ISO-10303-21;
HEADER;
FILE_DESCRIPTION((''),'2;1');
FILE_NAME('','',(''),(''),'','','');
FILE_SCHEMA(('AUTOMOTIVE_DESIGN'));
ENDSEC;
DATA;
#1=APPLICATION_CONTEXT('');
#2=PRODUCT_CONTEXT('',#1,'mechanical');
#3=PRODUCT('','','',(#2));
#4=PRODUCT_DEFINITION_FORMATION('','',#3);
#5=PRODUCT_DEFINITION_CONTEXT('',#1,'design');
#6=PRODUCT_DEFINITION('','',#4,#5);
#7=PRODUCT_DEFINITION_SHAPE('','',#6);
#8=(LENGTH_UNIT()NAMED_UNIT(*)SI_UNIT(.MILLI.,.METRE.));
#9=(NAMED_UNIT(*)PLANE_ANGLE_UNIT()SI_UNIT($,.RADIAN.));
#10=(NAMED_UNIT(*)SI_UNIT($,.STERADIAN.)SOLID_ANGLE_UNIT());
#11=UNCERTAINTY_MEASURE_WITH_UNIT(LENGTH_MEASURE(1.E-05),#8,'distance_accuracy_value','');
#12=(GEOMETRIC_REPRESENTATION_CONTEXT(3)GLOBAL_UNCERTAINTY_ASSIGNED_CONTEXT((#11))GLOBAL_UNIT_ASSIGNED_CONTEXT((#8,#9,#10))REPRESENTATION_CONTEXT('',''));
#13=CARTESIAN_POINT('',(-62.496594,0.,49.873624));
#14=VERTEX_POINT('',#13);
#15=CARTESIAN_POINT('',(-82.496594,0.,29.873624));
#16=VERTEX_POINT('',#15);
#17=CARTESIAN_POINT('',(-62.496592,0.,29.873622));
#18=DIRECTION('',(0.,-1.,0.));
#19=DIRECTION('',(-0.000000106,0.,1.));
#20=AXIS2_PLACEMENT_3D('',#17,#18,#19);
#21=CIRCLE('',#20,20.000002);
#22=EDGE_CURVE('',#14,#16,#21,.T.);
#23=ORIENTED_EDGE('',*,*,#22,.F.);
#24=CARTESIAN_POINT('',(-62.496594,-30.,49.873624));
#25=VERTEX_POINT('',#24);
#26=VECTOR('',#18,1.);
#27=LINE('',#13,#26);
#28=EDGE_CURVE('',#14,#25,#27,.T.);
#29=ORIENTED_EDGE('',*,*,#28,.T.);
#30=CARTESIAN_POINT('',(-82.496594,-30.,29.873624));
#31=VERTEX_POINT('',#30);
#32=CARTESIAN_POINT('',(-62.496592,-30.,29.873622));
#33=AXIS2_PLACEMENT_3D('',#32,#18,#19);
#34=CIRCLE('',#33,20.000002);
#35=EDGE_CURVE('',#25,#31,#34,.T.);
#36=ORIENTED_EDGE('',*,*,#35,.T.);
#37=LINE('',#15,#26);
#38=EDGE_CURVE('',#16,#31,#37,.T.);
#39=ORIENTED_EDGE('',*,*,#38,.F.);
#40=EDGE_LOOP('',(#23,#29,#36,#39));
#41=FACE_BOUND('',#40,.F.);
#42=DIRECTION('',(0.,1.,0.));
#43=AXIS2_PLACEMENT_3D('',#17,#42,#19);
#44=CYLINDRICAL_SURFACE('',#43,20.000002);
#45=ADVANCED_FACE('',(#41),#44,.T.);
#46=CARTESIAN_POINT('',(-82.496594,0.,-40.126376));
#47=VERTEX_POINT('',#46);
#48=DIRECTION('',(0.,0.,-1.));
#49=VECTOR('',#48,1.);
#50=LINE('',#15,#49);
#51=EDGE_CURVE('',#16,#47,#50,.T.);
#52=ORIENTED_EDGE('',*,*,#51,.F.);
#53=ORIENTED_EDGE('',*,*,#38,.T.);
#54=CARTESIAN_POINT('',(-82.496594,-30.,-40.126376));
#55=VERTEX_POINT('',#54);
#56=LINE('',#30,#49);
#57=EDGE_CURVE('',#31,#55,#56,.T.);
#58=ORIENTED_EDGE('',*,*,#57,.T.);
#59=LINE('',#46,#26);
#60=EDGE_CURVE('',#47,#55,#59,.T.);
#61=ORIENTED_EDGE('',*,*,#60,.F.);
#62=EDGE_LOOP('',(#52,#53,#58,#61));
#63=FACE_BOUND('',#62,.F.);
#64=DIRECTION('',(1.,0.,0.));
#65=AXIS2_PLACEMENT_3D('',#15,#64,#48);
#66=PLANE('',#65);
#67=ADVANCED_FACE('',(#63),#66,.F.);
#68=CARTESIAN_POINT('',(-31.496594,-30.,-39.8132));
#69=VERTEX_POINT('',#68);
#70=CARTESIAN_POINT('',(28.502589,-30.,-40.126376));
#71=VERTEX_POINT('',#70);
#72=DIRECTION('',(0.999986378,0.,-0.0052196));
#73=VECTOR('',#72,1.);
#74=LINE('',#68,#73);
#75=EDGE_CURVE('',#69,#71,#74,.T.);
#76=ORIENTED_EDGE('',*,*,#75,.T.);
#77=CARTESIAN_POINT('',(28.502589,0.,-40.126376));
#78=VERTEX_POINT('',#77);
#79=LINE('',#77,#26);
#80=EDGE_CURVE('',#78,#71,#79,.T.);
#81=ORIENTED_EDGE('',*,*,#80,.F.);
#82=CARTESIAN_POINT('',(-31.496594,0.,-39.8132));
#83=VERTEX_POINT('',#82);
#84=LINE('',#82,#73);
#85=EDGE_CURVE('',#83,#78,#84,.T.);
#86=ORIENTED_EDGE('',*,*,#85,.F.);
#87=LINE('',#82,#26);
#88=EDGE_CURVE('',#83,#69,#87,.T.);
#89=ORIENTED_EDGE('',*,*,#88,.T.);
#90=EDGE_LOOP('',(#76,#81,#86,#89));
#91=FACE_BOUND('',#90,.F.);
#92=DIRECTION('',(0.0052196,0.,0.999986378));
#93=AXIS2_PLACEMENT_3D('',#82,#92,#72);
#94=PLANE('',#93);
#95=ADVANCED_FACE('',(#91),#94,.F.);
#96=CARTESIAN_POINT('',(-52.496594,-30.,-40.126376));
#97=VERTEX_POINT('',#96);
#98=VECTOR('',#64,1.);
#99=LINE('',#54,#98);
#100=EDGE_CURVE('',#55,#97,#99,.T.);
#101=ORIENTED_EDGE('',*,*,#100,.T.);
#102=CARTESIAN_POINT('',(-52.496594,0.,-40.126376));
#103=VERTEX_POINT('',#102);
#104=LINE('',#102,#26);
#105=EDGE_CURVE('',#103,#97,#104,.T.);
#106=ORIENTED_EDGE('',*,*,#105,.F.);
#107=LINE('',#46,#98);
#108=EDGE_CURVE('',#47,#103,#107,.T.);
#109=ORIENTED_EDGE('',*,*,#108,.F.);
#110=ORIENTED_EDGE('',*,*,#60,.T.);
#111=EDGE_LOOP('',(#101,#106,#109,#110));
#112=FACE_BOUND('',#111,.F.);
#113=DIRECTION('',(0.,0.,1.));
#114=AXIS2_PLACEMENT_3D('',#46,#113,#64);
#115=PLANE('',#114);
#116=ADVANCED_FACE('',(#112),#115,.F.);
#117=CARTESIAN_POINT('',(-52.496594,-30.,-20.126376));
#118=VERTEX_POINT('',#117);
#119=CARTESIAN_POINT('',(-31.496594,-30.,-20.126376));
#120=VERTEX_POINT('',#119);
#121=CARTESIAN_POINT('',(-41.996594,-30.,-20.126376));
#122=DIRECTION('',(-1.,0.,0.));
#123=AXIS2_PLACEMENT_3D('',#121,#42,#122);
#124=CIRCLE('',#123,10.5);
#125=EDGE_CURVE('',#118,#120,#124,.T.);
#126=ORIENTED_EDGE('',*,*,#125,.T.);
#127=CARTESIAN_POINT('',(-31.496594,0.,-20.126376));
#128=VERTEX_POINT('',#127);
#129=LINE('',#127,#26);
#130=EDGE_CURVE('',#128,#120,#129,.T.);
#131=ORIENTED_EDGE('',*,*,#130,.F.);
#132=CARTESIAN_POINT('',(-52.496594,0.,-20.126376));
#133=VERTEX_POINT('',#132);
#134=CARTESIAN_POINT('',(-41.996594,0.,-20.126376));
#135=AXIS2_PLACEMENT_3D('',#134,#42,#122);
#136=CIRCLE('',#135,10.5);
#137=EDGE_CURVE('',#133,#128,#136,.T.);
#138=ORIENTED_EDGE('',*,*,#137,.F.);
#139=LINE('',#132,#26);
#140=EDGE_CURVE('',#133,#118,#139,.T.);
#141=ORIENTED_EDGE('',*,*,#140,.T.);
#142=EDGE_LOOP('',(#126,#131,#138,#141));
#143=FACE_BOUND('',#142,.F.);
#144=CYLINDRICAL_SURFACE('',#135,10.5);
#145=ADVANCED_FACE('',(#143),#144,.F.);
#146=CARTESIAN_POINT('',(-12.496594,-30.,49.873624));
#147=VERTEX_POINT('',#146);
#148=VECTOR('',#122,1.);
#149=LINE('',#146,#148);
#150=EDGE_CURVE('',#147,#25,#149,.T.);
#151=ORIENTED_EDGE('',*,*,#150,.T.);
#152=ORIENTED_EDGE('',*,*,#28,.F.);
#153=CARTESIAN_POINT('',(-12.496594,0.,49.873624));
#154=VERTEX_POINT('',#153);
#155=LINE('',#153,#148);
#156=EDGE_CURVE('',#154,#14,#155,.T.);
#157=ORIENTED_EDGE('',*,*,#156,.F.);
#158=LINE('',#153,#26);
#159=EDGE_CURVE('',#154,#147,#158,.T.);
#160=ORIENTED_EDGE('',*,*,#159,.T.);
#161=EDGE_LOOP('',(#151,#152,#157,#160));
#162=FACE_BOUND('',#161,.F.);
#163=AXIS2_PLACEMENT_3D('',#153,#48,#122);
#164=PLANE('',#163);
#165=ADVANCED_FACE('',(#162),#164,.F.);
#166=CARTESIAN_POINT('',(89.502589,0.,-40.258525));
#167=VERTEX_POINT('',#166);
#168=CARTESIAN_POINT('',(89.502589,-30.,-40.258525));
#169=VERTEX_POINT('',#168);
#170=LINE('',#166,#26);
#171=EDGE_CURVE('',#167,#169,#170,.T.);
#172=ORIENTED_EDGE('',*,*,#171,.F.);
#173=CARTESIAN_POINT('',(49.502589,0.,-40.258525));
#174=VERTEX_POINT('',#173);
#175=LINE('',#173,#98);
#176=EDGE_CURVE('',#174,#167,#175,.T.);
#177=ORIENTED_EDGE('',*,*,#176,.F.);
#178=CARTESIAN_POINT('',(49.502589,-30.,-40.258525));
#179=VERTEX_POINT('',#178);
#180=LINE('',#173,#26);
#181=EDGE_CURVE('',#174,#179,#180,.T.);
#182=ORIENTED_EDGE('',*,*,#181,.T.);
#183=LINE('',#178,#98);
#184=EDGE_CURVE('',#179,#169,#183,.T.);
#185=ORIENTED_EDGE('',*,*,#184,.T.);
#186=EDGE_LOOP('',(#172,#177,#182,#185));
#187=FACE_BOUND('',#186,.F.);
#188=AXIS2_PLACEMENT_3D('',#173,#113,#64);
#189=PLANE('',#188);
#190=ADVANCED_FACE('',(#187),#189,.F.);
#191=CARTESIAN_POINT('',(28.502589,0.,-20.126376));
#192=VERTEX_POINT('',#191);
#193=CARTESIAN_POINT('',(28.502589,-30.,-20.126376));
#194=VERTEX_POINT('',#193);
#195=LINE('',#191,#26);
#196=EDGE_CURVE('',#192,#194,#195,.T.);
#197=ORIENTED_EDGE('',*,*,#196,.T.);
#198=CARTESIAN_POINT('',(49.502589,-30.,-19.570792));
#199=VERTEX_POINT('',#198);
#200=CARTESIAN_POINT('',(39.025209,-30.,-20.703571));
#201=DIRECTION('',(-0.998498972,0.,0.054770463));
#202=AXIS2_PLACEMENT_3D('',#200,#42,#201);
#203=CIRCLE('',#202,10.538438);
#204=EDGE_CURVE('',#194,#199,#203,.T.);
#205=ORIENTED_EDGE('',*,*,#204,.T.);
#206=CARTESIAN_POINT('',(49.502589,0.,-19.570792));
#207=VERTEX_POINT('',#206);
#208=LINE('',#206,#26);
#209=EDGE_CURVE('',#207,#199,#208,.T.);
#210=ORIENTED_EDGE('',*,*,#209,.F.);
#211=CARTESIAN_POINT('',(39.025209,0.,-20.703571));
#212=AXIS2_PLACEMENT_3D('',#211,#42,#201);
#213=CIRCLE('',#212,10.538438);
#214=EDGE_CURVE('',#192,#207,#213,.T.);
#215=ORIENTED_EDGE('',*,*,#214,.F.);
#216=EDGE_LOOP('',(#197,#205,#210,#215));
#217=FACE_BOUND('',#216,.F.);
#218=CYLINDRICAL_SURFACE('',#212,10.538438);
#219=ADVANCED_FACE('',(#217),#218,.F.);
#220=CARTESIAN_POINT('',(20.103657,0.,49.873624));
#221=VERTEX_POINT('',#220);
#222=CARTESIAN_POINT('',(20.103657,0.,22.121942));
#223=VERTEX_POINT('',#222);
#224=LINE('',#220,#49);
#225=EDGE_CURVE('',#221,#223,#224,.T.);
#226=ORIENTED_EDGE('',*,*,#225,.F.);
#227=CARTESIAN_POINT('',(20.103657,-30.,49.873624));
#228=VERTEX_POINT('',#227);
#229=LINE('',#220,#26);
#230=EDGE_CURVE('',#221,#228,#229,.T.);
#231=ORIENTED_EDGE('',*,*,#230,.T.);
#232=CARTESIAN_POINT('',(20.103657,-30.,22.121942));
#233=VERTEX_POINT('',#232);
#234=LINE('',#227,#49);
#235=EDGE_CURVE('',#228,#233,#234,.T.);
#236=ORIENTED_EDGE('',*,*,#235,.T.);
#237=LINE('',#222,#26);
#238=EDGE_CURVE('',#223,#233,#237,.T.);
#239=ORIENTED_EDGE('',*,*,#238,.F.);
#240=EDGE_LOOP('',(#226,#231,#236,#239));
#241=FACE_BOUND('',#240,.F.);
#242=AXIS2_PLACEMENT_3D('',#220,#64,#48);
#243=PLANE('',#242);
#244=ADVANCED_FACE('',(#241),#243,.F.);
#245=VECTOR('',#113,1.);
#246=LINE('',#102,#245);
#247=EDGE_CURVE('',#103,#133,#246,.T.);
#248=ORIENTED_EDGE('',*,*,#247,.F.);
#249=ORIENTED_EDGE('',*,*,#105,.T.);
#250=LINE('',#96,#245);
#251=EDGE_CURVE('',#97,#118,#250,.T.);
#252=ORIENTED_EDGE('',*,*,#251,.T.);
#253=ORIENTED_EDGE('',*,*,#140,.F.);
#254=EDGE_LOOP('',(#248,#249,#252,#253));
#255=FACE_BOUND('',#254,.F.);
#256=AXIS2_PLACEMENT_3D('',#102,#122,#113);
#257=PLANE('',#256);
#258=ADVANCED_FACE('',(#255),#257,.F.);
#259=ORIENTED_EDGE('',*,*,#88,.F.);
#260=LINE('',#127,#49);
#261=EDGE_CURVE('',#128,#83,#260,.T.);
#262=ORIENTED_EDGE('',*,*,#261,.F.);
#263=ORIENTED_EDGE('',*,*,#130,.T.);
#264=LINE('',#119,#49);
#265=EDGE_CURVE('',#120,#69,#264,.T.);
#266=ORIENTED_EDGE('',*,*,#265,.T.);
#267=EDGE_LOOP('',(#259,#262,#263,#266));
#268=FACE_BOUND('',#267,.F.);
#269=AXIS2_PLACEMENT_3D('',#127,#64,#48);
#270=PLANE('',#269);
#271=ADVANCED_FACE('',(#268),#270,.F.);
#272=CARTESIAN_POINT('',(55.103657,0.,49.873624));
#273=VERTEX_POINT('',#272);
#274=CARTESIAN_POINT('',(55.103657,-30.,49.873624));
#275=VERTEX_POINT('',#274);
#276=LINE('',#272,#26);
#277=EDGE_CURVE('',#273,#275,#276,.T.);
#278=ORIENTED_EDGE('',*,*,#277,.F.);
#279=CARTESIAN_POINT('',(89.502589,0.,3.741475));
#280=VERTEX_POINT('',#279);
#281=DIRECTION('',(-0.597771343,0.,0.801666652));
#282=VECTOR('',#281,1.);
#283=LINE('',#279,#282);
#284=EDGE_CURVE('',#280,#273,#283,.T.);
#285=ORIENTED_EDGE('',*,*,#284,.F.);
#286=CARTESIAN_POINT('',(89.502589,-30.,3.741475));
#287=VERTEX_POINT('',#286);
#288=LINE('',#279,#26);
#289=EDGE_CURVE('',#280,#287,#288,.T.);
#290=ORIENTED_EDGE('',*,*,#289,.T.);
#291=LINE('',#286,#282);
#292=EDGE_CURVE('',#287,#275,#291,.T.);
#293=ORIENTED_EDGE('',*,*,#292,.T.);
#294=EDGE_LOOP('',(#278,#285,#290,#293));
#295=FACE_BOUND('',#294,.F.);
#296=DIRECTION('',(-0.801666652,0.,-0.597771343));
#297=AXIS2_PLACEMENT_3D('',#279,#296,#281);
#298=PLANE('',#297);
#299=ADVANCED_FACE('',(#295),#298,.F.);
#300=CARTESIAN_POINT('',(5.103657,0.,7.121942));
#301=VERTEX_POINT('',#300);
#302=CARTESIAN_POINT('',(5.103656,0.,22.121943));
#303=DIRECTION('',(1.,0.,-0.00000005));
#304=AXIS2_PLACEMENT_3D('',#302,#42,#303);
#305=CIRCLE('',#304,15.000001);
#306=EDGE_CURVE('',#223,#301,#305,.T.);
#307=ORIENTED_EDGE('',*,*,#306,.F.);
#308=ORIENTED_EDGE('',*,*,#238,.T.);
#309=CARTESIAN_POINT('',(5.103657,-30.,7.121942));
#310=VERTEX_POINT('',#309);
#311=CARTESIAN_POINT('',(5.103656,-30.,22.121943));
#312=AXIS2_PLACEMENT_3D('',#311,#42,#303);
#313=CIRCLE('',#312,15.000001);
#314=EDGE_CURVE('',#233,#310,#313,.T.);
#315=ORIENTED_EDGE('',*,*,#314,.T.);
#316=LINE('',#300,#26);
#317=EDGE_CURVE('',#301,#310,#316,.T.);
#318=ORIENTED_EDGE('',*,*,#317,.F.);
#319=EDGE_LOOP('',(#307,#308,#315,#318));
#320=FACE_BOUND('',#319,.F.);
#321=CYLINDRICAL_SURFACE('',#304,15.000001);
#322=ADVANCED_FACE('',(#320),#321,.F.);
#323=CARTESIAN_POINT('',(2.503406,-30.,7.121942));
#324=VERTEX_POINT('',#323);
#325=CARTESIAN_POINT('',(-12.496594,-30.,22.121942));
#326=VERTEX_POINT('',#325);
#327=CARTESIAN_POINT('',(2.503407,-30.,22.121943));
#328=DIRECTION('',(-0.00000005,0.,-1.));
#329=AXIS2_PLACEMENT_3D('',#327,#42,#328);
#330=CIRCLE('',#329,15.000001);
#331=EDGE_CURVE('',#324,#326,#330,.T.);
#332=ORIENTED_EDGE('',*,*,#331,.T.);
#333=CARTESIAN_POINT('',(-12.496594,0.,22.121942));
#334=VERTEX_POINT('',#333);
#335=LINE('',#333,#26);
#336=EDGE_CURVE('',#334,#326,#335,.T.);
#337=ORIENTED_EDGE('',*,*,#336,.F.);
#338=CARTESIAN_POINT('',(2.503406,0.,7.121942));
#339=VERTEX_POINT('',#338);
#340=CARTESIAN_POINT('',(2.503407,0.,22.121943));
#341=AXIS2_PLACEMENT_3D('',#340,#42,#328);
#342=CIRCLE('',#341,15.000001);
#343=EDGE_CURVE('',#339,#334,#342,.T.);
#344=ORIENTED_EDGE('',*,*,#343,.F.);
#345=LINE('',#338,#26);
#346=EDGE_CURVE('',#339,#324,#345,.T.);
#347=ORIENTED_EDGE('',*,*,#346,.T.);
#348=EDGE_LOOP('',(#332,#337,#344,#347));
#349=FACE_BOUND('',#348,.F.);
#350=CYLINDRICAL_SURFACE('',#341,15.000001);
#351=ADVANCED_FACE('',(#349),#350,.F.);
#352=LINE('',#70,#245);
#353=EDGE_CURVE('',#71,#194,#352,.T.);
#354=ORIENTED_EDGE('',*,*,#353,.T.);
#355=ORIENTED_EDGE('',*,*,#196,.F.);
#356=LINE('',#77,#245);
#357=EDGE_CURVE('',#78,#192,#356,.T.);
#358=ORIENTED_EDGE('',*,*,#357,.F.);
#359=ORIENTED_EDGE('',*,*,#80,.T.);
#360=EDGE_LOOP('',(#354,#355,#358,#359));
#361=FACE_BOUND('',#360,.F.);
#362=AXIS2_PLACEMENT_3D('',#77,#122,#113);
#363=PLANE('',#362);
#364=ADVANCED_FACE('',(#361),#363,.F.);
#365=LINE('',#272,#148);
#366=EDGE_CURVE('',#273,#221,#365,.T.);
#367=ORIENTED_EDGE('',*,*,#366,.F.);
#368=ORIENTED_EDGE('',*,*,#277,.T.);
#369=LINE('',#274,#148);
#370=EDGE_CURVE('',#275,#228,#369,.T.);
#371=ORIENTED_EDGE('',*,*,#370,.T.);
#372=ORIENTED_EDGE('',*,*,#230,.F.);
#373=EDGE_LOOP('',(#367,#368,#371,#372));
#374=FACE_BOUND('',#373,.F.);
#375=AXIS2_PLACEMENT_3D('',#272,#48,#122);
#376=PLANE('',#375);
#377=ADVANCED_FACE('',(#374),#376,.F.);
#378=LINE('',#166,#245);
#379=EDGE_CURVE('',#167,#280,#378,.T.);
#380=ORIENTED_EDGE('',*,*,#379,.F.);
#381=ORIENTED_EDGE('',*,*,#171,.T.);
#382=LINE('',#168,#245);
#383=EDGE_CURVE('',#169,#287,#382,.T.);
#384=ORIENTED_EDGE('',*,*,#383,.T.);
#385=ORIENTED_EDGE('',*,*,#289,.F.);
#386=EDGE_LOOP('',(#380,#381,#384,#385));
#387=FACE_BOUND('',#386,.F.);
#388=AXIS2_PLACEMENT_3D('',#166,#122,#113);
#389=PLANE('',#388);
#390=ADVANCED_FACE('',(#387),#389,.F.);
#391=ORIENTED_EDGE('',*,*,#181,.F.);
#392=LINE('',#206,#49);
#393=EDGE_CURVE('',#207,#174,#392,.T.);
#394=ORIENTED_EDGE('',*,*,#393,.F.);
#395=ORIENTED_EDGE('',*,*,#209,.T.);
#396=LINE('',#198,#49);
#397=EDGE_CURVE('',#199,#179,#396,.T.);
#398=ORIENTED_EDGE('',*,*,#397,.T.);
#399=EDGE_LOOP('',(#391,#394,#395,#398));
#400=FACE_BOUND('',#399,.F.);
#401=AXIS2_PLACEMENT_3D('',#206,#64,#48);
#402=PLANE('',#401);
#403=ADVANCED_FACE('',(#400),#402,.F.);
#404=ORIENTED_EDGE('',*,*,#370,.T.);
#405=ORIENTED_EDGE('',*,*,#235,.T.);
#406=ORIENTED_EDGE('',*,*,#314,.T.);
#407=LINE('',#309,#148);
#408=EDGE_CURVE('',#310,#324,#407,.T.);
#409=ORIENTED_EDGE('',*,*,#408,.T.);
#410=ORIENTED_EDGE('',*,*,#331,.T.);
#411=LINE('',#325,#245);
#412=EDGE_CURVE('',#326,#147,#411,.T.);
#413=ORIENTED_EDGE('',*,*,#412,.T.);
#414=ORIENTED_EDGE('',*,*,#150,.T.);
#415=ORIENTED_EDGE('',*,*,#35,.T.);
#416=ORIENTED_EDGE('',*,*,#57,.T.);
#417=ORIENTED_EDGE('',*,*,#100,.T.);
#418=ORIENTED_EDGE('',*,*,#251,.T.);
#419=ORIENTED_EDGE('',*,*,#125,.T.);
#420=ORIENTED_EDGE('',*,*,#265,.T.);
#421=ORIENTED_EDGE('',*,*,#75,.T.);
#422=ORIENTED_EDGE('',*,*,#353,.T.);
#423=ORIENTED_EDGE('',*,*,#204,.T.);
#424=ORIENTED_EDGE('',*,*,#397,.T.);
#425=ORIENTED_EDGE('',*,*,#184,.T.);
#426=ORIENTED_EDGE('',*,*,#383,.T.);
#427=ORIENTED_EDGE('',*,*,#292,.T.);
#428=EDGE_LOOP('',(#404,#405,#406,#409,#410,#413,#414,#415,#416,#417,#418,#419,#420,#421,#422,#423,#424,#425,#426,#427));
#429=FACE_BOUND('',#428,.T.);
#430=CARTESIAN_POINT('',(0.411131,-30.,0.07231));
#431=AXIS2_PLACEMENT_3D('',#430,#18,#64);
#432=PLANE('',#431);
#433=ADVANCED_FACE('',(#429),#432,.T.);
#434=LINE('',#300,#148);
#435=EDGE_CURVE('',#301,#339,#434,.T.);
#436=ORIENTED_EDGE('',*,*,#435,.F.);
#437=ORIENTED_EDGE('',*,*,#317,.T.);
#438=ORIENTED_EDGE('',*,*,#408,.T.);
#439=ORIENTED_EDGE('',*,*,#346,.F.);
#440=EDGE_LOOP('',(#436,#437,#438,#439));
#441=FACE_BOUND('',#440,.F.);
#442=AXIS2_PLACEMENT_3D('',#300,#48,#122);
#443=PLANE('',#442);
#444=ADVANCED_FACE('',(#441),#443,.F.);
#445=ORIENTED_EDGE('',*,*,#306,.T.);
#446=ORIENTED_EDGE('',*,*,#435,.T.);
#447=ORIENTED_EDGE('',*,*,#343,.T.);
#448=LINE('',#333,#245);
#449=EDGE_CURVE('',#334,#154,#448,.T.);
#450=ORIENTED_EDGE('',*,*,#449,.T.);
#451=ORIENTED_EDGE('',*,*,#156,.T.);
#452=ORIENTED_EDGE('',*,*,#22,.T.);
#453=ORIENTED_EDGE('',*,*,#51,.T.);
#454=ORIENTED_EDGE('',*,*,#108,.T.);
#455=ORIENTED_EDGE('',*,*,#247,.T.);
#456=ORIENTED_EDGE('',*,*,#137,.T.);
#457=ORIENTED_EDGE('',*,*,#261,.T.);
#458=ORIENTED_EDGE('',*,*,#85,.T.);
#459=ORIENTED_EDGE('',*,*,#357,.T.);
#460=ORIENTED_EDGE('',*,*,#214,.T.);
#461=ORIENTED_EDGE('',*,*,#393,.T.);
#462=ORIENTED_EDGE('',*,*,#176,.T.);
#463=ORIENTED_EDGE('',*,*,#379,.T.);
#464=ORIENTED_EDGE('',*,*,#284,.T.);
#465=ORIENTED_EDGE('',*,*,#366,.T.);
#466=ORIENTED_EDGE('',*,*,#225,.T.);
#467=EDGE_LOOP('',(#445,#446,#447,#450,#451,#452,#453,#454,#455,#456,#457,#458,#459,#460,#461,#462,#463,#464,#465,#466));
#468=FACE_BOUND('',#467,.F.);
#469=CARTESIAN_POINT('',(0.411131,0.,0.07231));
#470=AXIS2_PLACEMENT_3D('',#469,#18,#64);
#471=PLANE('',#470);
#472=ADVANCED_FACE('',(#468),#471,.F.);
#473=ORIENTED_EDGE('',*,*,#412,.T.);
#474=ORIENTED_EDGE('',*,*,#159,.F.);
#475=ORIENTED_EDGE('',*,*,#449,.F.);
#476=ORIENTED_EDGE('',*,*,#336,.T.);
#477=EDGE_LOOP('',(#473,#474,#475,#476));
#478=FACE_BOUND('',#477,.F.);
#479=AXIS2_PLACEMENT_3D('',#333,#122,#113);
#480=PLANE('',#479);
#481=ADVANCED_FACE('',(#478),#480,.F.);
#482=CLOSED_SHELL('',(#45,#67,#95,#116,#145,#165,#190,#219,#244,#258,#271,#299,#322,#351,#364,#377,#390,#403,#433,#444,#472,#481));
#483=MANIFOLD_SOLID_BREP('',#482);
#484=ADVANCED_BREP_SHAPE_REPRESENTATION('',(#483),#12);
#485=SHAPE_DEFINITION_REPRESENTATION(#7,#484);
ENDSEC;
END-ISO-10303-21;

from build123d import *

# Parameters (mm, degrees)
F1_DEPTH = 30


with BuildPart() as f1:
    # F0 (on Front) → F1 (new body)
    with BuildSketch(Plane.XZ):
        with BuildLine():
            Line((-52.496594, -40.126376), (-52.496594, -20.126376))
            ThreePointArc((-52.496594, -20.126376), (-41.996594, -9.626376), (-31.496594, -20.126376))
            Line((-31.496594, -20.126376), (-31.496594, -39.8132))
            Line((-31.496594, -39.8132), (28.502589, -40.126376))
            Line((28.502589, -40.126376), (28.502589, -20.126376))
            ThreePointArc((28.502589, -20.126376), (38.746497, -10.168819), (49.502589, -19.570792))
            Line((49.502589, -19.570792), (49.502589, -40.258525))
            Line((49.502589, -40.258525), (89.502589, -40.258525))
            Line((89.502589, -40.258525), (89.502589, 3.741475))
            Line((89.502589, 3.741475), (55.103657, 49.873624))
            Line((55.103657, 49.873624), (20.103657, 49.873624))
            Line((20.103657, 49.873624), (20.103657, 22.121942))
            ThreePointArc((20.103657, 22.121942), (15.710259, 11.515341), (5.103657, 7.121942))
            Line((5.103657, 7.121942), (2.503406, 7.121942))
            ThreePointArc((2.503406, 7.121942), (-8.103196, 11.515341), (-12.496594, 22.121942))
            Line((-12.496594, 22.121942), (-12.496594, 49.873624))
            Line((-12.496594, 49.873624), (-62.496594, 49.873624))
            ThreePointArc((-62.496594, 49.873624), (-76.638729, 44.015759), (-82.496594, 29.873624))
            Line((-82.496594, 29.873624), (-82.496594, -40.126376))
            Line((-82.496594, -40.126376), (-52.496594, -40.126376))
        make_face()
    extrude(amount=F1_DEPTH)


solid = f1.part
